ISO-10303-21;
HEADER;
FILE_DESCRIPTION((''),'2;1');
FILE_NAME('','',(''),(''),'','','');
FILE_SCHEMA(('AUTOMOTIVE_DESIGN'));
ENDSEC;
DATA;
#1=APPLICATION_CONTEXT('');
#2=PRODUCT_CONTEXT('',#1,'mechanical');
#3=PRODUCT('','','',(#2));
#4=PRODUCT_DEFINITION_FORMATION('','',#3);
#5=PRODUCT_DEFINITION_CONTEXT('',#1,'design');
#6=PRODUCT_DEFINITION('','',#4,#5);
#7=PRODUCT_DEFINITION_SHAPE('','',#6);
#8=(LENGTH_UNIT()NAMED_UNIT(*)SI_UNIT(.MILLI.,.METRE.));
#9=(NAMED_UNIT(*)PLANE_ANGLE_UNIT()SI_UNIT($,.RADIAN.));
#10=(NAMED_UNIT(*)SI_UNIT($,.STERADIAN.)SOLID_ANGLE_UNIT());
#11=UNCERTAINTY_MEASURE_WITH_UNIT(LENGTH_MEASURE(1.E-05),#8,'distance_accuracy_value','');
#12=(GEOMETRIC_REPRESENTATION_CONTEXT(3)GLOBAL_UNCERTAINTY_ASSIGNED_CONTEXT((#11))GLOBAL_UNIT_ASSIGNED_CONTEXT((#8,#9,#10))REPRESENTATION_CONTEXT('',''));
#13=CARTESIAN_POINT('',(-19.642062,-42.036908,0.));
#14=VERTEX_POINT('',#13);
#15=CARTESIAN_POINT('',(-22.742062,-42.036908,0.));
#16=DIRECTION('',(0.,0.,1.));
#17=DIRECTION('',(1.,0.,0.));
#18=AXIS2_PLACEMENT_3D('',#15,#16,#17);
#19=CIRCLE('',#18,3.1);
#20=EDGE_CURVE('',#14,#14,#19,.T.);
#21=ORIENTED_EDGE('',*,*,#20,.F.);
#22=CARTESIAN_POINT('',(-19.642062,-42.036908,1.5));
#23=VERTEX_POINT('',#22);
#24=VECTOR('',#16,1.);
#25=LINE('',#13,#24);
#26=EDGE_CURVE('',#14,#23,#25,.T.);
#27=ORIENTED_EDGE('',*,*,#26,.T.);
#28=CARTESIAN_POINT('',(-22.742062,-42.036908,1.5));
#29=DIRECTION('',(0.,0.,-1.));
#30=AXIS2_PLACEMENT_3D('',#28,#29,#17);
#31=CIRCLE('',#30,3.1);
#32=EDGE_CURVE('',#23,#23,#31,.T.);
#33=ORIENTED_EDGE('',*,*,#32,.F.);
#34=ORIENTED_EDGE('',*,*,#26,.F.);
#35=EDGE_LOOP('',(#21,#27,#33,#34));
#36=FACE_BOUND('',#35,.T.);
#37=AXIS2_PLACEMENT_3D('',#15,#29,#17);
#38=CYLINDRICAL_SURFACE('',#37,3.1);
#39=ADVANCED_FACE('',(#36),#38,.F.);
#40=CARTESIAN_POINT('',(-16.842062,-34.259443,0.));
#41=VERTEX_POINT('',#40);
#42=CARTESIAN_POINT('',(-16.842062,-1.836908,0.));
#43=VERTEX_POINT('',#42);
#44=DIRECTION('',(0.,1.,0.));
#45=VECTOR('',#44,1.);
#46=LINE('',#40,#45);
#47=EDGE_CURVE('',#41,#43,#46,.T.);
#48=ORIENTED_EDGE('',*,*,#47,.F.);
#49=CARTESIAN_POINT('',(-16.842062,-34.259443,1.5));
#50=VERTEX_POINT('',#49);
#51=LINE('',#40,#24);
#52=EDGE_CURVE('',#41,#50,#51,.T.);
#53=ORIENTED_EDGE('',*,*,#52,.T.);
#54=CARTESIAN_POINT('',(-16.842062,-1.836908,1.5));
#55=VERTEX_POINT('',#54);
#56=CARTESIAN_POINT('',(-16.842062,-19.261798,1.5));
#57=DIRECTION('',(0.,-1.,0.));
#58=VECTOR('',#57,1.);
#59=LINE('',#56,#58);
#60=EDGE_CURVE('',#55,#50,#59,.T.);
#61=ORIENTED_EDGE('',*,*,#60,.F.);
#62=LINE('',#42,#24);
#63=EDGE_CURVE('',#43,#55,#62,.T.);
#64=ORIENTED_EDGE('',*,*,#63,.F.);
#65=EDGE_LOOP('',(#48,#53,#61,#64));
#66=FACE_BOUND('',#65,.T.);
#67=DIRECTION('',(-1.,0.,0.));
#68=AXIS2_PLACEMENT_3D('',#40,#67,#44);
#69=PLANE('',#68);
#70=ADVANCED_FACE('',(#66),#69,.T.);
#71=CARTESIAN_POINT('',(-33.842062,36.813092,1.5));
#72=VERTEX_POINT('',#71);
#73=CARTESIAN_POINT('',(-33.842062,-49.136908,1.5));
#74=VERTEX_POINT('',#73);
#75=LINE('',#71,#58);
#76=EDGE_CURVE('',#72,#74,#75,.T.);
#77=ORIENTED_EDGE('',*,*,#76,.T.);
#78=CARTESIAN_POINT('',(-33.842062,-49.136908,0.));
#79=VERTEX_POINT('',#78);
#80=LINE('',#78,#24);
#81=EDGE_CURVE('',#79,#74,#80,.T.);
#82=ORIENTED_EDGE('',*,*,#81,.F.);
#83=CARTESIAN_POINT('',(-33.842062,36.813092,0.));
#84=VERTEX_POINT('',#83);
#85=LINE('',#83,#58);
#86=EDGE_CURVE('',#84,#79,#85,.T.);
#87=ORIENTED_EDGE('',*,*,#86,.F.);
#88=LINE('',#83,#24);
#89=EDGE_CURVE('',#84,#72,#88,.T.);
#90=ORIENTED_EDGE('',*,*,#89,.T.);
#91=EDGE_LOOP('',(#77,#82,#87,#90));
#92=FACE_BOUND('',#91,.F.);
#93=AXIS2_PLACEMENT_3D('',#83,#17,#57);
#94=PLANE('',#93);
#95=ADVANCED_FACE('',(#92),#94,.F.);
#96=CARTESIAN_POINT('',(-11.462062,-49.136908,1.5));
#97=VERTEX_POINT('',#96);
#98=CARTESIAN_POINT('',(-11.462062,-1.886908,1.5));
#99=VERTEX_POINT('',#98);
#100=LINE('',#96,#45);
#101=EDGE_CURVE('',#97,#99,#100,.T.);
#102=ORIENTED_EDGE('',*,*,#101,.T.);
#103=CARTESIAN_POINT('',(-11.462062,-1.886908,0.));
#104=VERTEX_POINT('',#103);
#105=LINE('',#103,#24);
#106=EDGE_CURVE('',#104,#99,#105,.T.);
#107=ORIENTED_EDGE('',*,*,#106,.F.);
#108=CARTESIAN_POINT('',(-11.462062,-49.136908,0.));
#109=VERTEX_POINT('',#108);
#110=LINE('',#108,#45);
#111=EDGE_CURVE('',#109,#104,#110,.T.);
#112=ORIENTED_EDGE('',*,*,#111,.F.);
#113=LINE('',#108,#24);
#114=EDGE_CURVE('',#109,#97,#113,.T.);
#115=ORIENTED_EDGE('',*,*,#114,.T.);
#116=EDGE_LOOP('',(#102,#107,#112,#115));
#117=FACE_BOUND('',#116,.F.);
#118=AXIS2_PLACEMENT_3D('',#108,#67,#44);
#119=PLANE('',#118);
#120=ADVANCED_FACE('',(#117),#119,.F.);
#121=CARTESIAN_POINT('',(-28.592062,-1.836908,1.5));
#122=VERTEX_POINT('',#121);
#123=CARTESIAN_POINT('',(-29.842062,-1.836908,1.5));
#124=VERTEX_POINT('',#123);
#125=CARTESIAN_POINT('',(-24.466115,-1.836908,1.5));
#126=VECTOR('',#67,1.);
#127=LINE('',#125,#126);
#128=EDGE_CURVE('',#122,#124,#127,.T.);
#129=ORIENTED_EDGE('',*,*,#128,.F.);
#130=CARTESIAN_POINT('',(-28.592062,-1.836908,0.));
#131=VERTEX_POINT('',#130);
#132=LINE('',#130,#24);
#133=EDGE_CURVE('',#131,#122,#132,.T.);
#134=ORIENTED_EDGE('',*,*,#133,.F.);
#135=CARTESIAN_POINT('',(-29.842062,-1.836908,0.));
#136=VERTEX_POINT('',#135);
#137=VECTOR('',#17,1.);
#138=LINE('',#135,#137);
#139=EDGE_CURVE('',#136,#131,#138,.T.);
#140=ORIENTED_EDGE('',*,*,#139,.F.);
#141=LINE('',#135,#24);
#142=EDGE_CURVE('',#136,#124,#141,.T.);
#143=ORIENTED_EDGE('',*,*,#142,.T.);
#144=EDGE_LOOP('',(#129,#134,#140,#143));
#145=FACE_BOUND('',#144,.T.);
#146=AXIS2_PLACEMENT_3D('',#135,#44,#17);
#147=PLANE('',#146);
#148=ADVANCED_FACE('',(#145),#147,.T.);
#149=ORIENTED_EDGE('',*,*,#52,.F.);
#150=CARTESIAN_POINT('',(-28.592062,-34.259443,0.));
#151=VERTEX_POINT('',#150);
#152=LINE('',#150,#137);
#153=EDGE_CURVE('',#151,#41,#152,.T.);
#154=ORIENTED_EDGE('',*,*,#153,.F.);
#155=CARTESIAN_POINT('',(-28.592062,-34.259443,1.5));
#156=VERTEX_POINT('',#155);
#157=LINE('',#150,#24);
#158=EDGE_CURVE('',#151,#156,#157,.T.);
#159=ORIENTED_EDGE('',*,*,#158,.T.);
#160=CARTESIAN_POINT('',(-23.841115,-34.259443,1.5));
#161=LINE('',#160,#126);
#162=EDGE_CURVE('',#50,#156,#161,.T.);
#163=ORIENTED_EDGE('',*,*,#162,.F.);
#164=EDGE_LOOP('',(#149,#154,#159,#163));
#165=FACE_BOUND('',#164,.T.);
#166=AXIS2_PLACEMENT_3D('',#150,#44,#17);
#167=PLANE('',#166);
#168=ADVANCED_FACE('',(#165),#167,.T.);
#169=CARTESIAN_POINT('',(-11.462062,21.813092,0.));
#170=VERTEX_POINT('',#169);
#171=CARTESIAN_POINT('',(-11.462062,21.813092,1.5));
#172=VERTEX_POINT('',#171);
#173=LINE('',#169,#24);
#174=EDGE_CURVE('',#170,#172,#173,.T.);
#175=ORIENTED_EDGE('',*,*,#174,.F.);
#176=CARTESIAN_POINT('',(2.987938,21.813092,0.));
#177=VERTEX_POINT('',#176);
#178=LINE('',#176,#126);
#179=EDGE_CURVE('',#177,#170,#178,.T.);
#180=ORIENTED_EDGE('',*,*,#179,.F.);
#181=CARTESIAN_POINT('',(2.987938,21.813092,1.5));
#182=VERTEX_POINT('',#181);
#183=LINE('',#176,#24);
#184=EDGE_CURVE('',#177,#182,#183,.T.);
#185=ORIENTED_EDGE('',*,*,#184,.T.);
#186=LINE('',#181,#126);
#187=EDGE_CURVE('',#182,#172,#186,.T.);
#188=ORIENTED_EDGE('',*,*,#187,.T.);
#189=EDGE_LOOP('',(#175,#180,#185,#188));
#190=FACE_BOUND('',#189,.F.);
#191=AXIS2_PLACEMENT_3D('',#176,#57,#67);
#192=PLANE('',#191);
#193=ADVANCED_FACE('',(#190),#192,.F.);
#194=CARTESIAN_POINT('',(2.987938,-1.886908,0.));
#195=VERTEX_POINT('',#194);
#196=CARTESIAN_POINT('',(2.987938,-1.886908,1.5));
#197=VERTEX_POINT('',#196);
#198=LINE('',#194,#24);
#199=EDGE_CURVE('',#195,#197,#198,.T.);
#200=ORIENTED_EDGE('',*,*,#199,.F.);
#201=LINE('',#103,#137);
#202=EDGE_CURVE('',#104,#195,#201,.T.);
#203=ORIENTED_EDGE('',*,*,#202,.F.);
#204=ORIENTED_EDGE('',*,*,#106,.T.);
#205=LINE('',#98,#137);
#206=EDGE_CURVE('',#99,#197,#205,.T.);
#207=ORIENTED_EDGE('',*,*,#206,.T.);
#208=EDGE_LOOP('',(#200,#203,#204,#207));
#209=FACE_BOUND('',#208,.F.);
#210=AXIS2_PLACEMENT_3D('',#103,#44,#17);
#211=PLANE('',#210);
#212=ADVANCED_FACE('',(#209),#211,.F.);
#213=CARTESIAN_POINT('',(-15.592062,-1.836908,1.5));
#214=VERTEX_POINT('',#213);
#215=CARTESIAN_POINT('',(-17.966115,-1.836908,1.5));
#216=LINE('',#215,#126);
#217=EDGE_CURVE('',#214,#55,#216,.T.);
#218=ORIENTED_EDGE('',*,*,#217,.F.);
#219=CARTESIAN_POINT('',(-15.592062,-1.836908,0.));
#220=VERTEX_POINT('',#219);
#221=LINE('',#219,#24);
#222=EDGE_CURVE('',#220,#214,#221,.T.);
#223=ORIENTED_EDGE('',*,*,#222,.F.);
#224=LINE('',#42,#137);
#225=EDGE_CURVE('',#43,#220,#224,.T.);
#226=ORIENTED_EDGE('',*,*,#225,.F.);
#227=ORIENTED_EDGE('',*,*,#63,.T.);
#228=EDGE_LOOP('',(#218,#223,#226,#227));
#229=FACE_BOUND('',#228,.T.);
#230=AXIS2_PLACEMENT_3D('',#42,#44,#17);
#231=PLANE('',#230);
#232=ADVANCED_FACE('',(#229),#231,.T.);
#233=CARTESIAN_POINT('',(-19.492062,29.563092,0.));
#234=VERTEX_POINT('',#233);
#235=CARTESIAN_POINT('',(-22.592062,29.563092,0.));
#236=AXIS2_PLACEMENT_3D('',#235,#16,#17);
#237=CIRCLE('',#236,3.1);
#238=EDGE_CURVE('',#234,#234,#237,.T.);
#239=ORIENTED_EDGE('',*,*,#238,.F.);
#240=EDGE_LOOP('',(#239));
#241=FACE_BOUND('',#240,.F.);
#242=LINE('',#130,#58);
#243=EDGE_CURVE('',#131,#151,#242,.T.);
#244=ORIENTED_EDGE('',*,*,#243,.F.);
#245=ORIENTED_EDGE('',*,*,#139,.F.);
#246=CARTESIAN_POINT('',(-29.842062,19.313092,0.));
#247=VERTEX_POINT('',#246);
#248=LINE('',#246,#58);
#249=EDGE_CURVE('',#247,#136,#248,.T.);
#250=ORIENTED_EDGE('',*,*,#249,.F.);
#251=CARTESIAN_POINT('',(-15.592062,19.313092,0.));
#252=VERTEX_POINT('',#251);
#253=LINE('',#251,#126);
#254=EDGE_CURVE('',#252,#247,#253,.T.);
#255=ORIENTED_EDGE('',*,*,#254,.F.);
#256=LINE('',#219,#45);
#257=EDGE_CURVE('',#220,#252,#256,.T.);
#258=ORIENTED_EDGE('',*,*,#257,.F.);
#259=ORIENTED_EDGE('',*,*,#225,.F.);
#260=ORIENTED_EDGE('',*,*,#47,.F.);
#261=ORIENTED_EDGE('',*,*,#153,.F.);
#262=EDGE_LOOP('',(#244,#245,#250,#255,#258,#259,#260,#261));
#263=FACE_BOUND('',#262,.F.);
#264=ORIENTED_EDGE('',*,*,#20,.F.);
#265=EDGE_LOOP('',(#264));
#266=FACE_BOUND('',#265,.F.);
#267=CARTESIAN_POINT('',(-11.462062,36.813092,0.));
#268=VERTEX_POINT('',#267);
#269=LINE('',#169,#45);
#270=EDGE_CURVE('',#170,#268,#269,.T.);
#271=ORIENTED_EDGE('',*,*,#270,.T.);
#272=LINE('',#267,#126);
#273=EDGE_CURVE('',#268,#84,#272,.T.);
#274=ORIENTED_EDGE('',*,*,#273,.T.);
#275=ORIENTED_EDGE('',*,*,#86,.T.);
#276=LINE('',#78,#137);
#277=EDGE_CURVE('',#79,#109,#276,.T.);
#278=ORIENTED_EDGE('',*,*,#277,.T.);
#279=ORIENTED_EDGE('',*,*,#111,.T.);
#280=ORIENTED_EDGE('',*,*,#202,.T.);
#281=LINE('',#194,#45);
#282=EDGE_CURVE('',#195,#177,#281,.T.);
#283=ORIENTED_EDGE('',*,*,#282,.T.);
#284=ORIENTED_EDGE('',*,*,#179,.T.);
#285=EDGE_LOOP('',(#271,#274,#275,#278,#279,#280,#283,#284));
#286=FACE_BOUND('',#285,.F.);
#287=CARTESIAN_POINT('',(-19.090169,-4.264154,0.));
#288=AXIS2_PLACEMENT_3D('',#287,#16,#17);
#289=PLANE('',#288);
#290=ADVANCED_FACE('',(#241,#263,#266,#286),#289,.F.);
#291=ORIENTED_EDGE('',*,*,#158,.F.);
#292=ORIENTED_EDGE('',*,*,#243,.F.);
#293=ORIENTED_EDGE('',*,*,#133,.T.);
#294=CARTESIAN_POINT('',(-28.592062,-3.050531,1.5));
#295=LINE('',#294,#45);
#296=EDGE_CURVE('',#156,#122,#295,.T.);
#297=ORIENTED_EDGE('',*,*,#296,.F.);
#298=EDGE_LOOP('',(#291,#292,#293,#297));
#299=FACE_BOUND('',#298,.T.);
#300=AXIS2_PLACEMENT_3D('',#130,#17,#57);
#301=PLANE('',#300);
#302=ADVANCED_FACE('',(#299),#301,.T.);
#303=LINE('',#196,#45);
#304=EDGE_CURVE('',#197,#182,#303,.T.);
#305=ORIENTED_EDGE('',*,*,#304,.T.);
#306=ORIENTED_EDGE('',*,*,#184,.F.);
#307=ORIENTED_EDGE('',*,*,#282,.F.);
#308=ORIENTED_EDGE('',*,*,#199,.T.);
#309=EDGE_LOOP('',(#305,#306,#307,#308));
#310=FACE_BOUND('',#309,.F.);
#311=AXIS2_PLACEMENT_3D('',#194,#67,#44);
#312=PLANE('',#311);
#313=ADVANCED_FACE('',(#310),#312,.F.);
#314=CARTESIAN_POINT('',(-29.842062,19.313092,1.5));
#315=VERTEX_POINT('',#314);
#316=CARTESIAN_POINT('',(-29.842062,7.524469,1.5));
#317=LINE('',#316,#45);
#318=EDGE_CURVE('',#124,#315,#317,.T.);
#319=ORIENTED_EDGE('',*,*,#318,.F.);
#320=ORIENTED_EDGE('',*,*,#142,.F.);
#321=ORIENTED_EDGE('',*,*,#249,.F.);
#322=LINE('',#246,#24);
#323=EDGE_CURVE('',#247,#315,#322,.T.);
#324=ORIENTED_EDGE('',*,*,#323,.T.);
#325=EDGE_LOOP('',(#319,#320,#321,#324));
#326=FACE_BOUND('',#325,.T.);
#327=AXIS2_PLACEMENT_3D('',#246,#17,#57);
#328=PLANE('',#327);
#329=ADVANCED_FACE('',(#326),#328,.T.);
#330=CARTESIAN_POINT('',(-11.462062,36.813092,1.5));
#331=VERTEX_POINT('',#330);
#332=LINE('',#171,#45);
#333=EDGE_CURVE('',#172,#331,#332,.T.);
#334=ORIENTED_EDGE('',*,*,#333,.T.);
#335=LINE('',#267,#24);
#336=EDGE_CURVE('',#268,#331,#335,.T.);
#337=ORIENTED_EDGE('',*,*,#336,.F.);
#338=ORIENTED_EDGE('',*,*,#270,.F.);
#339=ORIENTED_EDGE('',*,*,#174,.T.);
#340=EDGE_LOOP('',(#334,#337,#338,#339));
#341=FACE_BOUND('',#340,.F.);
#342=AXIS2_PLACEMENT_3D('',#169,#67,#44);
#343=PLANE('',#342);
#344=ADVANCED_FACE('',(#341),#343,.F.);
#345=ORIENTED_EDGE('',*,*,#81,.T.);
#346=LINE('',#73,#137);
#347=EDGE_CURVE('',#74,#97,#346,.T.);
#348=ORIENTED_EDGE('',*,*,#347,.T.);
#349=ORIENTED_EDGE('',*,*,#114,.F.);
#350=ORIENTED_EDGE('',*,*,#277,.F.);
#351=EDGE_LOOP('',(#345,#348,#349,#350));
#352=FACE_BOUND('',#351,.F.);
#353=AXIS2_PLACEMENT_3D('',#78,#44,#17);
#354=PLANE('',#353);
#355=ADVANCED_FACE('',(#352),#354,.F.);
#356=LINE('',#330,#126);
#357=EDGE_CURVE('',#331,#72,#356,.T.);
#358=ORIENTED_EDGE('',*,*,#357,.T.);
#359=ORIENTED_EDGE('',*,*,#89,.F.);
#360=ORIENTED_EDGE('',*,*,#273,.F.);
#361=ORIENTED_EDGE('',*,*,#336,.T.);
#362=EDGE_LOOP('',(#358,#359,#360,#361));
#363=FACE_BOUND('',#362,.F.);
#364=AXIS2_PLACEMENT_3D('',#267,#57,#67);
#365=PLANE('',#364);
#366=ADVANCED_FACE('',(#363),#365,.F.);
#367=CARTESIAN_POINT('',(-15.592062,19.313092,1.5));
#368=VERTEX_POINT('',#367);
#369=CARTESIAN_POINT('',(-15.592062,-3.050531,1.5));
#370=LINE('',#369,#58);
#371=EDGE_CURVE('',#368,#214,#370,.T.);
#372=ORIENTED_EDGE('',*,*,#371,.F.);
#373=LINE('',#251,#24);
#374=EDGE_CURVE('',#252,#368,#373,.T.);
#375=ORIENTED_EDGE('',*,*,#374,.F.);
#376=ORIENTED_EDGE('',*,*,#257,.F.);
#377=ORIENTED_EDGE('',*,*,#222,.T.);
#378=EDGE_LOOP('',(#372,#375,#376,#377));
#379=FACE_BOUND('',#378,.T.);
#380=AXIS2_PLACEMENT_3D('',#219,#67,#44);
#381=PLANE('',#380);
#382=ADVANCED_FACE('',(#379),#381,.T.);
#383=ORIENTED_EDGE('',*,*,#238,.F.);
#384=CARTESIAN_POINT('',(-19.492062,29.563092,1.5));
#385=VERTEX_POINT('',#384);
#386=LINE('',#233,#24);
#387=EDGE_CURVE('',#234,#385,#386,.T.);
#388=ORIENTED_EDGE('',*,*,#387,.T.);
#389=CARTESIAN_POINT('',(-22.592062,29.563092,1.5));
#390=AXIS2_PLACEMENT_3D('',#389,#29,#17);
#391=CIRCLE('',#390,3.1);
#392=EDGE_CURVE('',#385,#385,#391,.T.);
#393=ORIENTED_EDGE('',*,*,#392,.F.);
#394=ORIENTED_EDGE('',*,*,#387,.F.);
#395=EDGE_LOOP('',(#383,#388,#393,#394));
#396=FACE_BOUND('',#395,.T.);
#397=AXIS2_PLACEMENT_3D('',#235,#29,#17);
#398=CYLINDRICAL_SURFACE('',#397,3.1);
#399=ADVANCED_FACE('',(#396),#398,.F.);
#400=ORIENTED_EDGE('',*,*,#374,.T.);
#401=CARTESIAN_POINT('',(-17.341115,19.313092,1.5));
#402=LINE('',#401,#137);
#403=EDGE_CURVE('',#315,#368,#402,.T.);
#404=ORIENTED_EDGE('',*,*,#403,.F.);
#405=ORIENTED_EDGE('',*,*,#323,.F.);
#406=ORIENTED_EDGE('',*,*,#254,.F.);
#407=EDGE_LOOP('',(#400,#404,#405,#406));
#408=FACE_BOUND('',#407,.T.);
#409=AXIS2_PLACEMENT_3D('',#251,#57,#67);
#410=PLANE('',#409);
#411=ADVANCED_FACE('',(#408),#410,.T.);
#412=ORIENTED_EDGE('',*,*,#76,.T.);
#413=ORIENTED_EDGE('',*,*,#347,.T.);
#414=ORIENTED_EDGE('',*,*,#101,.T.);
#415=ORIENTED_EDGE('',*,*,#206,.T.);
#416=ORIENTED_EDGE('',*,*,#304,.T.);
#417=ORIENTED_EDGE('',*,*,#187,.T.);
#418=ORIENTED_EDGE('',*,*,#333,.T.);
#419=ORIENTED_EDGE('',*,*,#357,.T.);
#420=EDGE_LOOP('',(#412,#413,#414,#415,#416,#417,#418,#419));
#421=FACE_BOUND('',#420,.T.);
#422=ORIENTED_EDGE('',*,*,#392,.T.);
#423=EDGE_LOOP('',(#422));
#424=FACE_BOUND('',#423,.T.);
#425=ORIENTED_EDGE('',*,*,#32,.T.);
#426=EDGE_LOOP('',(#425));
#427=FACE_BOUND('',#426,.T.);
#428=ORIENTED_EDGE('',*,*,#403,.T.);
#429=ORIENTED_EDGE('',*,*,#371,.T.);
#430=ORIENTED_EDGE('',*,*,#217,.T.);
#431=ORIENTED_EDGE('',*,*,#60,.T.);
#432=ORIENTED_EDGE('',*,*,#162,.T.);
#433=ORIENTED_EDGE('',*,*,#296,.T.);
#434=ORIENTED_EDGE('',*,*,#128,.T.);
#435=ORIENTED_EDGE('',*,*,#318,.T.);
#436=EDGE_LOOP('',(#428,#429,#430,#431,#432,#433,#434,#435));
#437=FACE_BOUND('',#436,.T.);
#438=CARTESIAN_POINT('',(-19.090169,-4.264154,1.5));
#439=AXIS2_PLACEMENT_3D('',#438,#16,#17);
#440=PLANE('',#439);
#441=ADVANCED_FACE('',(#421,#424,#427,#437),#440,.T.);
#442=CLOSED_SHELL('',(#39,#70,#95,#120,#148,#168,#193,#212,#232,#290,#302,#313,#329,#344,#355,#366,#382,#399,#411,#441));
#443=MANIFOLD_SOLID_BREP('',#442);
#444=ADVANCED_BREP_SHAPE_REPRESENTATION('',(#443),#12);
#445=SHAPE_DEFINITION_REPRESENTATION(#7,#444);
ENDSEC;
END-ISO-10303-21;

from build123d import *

# Parameters (mm, degrees)
F1_DEPTH = 1.5
F2_R     = 3.1
F3_DEPTH = 1.501


with BuildPart() as f1:
    # F0 (on Top) → F1 (new body)
    with BuildSketch(Plane.XY):
        Polygon((-11.462062, 36.813092), (-33.842062, 36.813092), (-33.842062, -49.136908), (-11.462062, -49.136908), (-11.462062, -1.886908), (2.987938, -1.886908), (2.987938, 21.813092), (-11.462062, 21.813092), align=None)
    extrude(amount=F1_DEPTH)

    # F2 (on Top) → F3 (cut, through all)
    with BuildSketch(Plane.XY):
        Polygon((-15.592062, 19.313092), (-29.842062, 19.313092), (-29.842062, -1.836908), (-28.592062, -1.836908), (-28.592062, -34.259443), (-16.842062, -34.259443), (-16.842062, -1.836908), (-15.592062, -1.836908), align=None)
        with Locations((-22.742062, -42.036908)):
            Circle(F2_R)
        with Locations((-22.592062, 29.563092)):
            Circle(F2_R)
    extrude(amount=F3_DEPTH, mode=Mode.SUBTRACT)


solid = f1.part
